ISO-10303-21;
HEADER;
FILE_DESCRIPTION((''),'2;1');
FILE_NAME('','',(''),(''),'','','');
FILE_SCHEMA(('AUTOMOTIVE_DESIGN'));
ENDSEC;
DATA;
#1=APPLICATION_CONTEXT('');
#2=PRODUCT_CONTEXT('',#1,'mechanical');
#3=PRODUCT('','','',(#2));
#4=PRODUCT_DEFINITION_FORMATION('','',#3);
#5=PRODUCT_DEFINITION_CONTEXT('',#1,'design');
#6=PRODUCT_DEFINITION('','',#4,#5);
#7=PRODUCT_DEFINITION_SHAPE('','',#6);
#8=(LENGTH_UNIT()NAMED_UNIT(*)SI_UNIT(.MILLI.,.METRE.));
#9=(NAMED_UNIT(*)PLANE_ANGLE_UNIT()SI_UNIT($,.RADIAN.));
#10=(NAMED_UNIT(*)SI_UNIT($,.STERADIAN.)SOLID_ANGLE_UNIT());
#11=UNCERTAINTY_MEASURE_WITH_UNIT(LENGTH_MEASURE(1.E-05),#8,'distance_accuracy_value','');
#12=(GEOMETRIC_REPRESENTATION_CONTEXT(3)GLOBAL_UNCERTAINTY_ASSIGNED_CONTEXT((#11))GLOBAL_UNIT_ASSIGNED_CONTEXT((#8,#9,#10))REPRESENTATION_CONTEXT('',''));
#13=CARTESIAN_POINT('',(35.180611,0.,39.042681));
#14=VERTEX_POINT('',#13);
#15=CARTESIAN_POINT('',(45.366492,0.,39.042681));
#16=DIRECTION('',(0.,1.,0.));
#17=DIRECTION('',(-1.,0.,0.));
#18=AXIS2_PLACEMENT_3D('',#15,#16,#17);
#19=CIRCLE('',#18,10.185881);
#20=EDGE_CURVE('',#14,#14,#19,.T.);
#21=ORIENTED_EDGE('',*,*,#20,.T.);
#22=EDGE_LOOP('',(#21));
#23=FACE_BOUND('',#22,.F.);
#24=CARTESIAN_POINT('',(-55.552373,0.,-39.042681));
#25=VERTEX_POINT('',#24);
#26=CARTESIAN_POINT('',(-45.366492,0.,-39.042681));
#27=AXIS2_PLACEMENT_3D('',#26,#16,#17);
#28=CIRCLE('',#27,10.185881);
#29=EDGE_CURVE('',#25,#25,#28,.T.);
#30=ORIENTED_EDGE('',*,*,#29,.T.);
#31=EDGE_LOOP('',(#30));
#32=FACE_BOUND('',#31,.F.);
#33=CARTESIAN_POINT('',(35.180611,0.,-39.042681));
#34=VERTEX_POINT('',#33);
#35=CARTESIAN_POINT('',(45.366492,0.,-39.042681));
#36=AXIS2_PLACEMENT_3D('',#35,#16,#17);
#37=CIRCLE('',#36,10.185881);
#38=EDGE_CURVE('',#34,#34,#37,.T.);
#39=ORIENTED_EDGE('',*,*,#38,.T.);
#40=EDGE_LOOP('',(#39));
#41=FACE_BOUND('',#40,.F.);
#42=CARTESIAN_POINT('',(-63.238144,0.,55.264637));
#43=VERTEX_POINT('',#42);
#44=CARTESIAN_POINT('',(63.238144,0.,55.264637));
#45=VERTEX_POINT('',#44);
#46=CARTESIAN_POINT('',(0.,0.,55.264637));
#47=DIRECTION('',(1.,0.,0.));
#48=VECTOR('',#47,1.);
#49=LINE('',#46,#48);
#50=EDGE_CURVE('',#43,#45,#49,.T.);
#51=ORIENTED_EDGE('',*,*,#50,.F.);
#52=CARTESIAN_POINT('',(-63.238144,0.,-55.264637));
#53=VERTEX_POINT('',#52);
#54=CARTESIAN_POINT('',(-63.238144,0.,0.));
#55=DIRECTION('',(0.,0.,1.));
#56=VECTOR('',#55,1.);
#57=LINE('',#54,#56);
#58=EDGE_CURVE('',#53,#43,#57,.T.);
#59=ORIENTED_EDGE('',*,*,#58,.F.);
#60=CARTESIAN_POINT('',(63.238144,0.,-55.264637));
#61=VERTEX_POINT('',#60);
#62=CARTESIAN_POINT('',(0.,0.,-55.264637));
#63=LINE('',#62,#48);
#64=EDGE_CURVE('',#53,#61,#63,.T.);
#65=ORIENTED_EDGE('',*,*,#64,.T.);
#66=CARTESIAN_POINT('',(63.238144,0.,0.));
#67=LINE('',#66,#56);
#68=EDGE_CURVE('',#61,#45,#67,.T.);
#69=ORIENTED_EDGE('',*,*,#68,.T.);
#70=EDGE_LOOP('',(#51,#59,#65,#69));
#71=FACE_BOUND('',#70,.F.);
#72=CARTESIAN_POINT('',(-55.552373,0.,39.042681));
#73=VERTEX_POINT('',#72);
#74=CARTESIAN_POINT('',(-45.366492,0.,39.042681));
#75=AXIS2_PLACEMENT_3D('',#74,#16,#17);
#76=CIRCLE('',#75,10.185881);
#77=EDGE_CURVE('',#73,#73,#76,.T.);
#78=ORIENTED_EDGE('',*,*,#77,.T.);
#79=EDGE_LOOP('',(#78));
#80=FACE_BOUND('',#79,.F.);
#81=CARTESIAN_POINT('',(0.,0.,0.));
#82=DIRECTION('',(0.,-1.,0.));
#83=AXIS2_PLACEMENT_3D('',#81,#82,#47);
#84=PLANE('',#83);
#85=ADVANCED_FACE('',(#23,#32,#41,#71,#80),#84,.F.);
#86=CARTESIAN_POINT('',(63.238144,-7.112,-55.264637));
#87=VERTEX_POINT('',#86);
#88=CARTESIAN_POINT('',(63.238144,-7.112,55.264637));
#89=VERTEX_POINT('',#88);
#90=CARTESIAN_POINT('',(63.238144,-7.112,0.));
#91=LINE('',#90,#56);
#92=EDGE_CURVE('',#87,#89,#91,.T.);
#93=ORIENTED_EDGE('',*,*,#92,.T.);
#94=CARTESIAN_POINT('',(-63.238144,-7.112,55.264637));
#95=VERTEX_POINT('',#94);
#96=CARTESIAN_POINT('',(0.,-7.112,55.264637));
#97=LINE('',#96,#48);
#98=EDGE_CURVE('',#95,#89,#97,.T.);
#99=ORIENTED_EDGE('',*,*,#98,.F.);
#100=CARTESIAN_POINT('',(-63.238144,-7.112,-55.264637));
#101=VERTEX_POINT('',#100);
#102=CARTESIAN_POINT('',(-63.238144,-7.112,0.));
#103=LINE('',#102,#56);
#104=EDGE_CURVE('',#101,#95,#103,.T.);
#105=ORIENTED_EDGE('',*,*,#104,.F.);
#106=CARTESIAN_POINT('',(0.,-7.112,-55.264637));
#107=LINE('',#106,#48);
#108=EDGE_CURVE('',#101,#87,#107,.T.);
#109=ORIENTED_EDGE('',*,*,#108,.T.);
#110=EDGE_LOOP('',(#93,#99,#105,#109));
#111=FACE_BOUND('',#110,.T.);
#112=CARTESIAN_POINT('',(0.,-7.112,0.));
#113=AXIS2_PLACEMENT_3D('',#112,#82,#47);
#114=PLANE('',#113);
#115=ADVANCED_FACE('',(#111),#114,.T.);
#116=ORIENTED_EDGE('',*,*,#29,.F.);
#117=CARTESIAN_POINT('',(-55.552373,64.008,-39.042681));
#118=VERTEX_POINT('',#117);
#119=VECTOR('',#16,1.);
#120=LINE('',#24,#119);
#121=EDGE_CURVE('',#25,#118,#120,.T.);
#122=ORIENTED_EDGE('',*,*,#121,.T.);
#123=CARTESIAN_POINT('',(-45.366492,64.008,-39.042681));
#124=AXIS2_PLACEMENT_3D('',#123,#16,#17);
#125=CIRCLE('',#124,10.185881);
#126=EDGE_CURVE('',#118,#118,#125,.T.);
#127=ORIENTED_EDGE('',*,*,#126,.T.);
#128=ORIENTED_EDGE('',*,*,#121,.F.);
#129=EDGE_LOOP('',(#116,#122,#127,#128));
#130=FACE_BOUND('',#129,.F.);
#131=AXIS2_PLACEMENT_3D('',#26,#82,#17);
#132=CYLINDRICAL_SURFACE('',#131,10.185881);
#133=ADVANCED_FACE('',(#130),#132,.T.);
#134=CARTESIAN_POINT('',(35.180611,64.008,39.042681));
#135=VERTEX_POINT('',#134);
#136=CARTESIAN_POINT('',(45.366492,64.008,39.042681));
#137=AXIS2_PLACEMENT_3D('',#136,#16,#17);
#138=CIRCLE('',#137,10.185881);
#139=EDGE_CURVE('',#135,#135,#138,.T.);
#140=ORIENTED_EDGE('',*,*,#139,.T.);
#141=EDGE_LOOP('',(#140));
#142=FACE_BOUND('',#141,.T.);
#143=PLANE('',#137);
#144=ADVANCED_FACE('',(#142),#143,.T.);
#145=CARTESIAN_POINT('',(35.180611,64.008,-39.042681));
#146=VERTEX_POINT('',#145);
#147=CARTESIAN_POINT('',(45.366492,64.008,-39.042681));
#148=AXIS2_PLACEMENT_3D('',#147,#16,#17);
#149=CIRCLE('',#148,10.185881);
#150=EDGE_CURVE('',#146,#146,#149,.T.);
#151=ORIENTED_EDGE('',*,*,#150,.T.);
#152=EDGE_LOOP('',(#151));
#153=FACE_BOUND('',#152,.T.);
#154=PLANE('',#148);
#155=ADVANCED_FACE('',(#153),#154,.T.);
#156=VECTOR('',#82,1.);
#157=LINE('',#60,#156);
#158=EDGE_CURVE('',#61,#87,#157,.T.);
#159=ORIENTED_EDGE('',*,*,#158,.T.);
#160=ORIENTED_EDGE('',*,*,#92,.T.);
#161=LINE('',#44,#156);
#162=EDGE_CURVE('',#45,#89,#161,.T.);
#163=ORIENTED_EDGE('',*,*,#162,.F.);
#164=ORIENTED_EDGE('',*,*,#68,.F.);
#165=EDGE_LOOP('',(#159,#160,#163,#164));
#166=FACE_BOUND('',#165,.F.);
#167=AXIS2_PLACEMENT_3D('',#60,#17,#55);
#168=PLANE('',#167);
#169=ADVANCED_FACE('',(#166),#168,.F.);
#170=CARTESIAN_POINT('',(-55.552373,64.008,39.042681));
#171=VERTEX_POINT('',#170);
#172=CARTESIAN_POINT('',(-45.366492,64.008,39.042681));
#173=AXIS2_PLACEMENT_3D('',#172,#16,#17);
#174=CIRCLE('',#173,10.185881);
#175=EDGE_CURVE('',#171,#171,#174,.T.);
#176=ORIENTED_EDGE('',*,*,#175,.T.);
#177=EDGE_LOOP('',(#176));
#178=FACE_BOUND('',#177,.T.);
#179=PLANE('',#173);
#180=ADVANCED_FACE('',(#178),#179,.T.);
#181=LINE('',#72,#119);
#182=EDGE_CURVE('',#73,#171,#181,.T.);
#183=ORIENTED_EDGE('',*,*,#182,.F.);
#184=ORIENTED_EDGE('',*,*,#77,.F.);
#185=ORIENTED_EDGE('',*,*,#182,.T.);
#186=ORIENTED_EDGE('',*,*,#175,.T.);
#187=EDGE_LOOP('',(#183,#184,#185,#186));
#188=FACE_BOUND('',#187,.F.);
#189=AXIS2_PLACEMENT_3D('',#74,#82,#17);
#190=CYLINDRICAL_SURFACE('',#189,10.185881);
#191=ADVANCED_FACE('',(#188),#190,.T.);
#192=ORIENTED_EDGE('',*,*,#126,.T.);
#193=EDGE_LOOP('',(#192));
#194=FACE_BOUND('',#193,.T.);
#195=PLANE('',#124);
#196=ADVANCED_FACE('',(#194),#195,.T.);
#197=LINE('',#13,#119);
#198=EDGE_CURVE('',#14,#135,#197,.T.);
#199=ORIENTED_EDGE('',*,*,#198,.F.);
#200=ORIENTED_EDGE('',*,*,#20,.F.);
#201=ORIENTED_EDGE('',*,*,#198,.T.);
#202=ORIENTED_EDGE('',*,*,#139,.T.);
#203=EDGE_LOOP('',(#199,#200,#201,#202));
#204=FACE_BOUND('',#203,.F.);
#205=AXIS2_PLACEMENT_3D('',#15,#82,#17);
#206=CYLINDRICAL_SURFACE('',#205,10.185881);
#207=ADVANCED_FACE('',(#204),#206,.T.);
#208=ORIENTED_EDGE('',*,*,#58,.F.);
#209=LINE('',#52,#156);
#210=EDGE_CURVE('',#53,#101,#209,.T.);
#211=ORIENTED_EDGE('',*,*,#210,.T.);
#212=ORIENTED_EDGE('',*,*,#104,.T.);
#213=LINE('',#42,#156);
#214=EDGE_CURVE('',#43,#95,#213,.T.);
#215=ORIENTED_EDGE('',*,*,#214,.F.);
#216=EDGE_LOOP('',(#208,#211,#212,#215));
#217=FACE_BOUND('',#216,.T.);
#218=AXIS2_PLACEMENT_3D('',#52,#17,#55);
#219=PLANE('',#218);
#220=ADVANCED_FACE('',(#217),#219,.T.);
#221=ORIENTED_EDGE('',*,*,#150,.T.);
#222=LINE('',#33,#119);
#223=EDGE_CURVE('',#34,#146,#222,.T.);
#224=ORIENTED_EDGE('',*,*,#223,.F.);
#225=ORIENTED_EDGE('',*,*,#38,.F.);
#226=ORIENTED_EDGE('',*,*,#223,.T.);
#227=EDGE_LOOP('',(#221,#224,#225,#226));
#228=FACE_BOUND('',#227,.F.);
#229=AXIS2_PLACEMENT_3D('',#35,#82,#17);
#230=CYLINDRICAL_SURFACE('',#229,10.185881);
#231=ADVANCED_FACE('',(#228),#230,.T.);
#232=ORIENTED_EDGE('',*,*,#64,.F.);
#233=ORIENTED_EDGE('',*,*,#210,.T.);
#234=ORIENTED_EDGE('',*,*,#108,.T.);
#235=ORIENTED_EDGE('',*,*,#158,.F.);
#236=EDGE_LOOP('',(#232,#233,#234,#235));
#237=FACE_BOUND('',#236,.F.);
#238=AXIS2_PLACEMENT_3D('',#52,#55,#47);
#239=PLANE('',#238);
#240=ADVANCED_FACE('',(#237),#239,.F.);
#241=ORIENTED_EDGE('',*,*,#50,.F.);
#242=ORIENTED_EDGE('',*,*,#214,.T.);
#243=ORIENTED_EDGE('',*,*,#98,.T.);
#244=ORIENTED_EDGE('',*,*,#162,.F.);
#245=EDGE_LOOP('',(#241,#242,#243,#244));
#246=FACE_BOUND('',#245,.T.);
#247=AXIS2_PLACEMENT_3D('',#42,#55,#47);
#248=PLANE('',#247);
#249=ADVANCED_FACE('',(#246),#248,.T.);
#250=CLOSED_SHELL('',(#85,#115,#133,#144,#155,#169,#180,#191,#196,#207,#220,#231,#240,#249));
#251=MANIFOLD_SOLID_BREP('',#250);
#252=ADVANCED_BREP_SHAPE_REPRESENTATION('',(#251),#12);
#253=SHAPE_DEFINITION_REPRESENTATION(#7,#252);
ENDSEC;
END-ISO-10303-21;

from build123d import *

# Parameters (mm, degrees)
F0_W     = 126.476288
F0_H     = 110.529274
F1_DEPTH = 7.112
F2_R     = 10.185881
F3_DEPTH = 64.008


with BuildPart() as f1:
    # F0 (on Front) → F1 (new body)
    with BuildSketch(Plane.XZ):
        Rectangle(F0_W, F0_H)
    extrude(amount=F1_DEPTH)

    # F2 (on face) → F3 (join)
    with BuildSketch(Plane(origin=(0, 0, 0), x_dir=(-1, 0, 0), z_dir=(0, 1, 0))):
        with Locations((45.366492, 39.042681)):
            Circle(F2_R)
        with Locations((45.366492, -39.042681)):
            Circle(F2_R)
        with Locations((-45.366492, -39.042681)):
            Circle(F2_R)
        with Locations((-45.366492, 39.042681)):
            Circle(F2_R)
    extrude(amount=F3_DEPTH)


solid = f1.part
